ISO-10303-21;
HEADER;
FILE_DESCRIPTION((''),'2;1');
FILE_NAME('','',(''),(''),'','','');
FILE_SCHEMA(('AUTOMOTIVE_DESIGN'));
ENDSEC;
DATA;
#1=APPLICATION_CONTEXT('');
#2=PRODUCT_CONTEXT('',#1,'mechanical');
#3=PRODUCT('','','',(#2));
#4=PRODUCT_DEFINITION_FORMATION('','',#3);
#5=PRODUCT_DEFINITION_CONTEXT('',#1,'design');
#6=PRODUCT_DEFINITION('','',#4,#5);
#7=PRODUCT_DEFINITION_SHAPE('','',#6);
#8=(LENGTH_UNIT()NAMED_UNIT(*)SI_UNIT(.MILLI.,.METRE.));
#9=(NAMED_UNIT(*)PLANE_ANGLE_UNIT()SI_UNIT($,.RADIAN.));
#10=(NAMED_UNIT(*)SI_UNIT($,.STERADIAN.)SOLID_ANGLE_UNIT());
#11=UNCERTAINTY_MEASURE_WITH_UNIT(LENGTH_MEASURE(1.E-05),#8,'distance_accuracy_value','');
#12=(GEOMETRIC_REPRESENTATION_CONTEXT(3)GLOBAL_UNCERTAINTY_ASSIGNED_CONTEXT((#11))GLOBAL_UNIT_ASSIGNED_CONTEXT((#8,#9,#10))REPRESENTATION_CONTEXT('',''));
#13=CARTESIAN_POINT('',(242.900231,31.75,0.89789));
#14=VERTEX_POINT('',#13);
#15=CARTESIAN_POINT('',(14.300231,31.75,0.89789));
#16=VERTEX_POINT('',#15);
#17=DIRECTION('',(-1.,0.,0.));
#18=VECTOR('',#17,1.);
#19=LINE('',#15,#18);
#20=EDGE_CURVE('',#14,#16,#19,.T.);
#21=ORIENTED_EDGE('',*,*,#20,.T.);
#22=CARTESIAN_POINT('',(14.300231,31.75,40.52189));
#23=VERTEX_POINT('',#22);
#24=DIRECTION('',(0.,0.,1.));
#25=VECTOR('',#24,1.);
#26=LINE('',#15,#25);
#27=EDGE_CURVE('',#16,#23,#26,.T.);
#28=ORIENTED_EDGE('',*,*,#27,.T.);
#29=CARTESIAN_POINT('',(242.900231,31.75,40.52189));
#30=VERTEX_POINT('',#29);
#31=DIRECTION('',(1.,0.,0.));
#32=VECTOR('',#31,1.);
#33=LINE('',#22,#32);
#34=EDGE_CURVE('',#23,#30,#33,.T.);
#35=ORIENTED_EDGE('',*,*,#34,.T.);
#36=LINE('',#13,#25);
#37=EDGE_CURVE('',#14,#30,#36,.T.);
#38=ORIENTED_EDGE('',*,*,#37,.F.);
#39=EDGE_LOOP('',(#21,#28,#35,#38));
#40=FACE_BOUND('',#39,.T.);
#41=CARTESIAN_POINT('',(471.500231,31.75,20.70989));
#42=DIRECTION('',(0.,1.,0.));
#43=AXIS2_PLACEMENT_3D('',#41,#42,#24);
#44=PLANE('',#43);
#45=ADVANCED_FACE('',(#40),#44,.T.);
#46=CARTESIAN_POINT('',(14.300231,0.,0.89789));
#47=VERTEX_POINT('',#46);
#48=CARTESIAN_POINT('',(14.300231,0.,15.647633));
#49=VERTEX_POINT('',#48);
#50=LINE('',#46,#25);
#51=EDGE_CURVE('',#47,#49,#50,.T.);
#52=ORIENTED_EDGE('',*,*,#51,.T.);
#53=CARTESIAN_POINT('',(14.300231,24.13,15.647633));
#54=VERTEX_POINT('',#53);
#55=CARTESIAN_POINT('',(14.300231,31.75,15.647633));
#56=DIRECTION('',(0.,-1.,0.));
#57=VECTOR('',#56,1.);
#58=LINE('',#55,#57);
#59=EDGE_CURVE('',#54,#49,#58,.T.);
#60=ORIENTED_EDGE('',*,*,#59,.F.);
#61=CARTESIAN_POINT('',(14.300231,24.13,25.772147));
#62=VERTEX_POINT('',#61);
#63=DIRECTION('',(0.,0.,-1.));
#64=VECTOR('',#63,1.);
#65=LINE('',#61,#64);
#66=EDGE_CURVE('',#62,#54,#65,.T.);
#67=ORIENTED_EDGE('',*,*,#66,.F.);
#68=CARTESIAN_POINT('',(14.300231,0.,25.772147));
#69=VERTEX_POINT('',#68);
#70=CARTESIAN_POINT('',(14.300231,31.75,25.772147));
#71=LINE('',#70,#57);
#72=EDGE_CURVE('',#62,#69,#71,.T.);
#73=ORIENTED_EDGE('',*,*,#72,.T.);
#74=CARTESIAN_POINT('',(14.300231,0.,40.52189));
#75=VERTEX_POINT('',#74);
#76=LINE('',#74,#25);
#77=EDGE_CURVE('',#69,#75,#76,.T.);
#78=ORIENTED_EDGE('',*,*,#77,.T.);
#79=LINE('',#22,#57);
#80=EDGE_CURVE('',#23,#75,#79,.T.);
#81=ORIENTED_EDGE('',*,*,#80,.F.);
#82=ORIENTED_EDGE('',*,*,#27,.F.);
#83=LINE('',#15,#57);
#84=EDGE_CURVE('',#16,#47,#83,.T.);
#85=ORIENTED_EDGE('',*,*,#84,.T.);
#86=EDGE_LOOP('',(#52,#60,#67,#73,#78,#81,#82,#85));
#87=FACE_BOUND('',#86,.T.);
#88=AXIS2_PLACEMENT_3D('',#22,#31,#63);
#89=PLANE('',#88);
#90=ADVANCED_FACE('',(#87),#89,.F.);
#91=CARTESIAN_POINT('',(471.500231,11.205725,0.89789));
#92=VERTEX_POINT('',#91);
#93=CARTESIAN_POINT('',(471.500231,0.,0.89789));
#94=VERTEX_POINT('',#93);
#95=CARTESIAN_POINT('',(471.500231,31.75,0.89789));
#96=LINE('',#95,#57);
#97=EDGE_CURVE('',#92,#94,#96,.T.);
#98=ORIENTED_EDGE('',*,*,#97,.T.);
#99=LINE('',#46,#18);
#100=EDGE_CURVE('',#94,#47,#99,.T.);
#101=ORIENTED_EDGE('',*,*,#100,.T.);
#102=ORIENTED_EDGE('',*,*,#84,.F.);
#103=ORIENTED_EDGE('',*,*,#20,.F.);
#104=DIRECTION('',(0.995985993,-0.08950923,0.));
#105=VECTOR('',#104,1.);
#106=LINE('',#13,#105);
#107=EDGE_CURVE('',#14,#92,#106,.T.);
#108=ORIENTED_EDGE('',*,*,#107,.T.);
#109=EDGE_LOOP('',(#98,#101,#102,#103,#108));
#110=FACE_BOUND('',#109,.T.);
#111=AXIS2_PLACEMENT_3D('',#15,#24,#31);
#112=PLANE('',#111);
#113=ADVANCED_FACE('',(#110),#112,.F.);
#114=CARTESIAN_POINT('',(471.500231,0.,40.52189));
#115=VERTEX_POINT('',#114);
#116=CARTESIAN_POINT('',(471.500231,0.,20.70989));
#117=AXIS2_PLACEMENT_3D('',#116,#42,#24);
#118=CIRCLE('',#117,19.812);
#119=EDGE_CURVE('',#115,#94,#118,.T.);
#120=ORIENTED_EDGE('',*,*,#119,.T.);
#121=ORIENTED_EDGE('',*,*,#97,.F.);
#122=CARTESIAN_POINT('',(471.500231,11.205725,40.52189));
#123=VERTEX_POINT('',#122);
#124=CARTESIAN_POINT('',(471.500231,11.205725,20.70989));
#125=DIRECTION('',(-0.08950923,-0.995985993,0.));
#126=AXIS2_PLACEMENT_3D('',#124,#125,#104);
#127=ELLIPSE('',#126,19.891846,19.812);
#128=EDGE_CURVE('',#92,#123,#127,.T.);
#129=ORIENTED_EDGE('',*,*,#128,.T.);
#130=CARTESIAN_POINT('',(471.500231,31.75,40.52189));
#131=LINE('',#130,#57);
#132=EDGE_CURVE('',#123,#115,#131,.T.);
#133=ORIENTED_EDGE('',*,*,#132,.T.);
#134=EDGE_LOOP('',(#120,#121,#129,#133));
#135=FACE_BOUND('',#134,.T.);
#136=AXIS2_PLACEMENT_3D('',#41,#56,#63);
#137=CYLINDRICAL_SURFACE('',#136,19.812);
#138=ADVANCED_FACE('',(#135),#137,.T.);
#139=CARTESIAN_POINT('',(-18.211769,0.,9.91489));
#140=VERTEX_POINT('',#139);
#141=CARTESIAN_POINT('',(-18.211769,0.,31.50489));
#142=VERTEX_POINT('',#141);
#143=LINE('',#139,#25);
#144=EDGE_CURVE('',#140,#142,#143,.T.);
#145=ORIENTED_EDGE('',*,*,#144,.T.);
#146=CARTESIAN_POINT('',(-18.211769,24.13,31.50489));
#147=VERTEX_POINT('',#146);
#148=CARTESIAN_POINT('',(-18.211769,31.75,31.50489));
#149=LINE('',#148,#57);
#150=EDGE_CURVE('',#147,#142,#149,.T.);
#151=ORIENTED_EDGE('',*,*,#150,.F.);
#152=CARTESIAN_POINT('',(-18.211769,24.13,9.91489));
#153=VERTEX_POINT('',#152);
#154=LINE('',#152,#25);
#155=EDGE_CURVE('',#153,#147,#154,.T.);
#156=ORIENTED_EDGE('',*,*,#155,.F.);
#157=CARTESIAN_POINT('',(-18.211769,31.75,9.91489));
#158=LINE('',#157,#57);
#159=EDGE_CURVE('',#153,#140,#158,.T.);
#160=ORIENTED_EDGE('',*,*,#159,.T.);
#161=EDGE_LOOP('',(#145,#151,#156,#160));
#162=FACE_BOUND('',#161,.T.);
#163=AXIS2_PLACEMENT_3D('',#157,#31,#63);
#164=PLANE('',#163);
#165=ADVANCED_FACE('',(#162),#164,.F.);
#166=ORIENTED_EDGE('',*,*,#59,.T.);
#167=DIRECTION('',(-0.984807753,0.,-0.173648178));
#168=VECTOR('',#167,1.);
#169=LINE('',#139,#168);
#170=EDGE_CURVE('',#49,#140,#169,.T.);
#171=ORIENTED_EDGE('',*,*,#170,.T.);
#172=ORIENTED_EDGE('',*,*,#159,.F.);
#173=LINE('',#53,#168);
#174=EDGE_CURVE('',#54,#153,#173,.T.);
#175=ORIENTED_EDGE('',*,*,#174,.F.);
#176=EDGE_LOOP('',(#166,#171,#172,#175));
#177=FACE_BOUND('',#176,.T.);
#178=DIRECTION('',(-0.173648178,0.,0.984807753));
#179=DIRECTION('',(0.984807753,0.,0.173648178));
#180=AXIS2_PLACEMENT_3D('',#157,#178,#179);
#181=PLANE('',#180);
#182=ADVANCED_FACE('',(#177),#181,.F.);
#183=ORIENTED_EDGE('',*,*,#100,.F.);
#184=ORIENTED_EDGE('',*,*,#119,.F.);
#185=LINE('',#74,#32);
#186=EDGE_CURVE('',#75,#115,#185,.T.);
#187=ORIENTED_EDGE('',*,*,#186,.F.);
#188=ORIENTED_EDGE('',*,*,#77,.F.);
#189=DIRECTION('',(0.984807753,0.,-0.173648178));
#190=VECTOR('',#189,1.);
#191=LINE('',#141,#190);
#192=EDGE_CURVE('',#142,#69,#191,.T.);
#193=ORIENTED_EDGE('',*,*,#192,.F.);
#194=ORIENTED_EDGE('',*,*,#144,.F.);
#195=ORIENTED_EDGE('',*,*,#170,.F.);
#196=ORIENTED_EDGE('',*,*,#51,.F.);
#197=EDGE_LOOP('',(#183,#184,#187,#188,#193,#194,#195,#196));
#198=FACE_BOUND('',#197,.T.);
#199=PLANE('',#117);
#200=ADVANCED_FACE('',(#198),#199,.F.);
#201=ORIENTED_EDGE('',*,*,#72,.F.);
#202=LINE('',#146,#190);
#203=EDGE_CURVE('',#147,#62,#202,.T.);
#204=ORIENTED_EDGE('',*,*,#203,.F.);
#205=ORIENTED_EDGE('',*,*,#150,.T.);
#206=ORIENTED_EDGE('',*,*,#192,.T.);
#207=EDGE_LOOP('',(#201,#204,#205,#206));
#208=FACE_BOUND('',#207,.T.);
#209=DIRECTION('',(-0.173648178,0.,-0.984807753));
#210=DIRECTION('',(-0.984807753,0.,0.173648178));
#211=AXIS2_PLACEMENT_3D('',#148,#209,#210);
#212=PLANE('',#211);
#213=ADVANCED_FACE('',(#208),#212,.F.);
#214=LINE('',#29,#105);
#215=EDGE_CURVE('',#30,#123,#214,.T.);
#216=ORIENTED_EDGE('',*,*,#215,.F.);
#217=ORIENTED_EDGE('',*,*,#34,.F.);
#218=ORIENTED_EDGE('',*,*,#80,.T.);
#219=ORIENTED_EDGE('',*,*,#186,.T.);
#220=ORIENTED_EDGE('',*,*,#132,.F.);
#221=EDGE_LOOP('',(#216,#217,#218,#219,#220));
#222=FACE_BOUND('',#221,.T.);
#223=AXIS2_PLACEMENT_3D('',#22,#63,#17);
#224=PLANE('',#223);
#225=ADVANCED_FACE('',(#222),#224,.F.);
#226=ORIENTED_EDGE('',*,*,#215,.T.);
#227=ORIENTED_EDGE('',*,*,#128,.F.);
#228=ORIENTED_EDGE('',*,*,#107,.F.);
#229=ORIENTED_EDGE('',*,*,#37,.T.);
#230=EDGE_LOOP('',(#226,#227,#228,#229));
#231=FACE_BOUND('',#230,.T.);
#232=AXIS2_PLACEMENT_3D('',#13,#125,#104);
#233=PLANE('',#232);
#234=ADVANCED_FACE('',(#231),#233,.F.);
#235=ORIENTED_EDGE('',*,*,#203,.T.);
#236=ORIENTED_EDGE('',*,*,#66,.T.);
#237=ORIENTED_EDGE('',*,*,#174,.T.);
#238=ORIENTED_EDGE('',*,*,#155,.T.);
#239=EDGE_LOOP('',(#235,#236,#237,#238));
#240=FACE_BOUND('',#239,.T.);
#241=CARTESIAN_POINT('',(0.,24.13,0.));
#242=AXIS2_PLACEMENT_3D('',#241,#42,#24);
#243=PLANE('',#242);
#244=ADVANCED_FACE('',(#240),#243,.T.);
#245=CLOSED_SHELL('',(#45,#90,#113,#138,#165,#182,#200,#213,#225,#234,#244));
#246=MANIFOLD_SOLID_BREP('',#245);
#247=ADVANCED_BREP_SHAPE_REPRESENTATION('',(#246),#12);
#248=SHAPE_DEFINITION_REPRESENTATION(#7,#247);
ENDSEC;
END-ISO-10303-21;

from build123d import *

# Parameters (mm, degrees)
BOSS_EXTRUDE1_DEPTH = 31.75
CUT_EXTRUDE1_DEPTH  = 7.62
CUT_EXTRUDE4_DEPTH  = 39.624


with BuildPart() as part:
    # Sketch2 → Boss-Extrude1 (new body)
    with BuildSketch(Plane(origin=(0, 0, 0), x_dir=(1, 0, 0), z_dir=(0, 1, 0))):
        with BuildLine():
            Line((-18.211768799, -9.91489), (-18.211768799, -31.50489))
            Line((-18.211768799, -31.50489), (14.300231201, -25.772147203))
            Line((14.300231201, -25.772147203), (14.300231201, -40.52189))
            Line((14.300231201, -40.52189), (471.500231201, -40.52189))
            ThreePointArc((471.500231201, -40.52189), (491.312231201, -20.70989), (471.500231201, -0.89789))
            Line((471.500231201, -0.89789), (14.300231201, -0.89789))
            Line((14.300231201, -0.89789), (14.300231201, -15.647632797))
            Line((14.300231201, -15.647632797), (-18.211768799, -9.91489))
        make_face()
    extrude(amount=BOSS_EXTRUDE1_DEPTH)

    # Sketch3 → Cut-Extrude1 (cut)
    with BuildSketch(Plane(origin=(0, 31.75, 0), x_dir=(1, 0, 0), z_dir=(0, 1, 0))):
        Polygon((-18.211768799, -9.91489), (-18.211768799, -31.50489), (14.300231201, -25.772147203), (14.300231201, -15.647632797), align=None)
    extrude(amount=-CUT_EXTRUDE1_DEPTH, mode=Mode.SUBTRACT)

    # Sketch5 → Cut-Extrude4 (cut)
    with BuildSketch(Plane.XY.offset(40.52189)):
        Polygon((242.900231201, 31.75), (491.312231201, 9.425221318), (491.312231201, 31.75), align=None)
    extrude(amount=-CUT_EXTRUDE4_DEPTH, mode=Mode.SUBTRACT)


solid = part.part
